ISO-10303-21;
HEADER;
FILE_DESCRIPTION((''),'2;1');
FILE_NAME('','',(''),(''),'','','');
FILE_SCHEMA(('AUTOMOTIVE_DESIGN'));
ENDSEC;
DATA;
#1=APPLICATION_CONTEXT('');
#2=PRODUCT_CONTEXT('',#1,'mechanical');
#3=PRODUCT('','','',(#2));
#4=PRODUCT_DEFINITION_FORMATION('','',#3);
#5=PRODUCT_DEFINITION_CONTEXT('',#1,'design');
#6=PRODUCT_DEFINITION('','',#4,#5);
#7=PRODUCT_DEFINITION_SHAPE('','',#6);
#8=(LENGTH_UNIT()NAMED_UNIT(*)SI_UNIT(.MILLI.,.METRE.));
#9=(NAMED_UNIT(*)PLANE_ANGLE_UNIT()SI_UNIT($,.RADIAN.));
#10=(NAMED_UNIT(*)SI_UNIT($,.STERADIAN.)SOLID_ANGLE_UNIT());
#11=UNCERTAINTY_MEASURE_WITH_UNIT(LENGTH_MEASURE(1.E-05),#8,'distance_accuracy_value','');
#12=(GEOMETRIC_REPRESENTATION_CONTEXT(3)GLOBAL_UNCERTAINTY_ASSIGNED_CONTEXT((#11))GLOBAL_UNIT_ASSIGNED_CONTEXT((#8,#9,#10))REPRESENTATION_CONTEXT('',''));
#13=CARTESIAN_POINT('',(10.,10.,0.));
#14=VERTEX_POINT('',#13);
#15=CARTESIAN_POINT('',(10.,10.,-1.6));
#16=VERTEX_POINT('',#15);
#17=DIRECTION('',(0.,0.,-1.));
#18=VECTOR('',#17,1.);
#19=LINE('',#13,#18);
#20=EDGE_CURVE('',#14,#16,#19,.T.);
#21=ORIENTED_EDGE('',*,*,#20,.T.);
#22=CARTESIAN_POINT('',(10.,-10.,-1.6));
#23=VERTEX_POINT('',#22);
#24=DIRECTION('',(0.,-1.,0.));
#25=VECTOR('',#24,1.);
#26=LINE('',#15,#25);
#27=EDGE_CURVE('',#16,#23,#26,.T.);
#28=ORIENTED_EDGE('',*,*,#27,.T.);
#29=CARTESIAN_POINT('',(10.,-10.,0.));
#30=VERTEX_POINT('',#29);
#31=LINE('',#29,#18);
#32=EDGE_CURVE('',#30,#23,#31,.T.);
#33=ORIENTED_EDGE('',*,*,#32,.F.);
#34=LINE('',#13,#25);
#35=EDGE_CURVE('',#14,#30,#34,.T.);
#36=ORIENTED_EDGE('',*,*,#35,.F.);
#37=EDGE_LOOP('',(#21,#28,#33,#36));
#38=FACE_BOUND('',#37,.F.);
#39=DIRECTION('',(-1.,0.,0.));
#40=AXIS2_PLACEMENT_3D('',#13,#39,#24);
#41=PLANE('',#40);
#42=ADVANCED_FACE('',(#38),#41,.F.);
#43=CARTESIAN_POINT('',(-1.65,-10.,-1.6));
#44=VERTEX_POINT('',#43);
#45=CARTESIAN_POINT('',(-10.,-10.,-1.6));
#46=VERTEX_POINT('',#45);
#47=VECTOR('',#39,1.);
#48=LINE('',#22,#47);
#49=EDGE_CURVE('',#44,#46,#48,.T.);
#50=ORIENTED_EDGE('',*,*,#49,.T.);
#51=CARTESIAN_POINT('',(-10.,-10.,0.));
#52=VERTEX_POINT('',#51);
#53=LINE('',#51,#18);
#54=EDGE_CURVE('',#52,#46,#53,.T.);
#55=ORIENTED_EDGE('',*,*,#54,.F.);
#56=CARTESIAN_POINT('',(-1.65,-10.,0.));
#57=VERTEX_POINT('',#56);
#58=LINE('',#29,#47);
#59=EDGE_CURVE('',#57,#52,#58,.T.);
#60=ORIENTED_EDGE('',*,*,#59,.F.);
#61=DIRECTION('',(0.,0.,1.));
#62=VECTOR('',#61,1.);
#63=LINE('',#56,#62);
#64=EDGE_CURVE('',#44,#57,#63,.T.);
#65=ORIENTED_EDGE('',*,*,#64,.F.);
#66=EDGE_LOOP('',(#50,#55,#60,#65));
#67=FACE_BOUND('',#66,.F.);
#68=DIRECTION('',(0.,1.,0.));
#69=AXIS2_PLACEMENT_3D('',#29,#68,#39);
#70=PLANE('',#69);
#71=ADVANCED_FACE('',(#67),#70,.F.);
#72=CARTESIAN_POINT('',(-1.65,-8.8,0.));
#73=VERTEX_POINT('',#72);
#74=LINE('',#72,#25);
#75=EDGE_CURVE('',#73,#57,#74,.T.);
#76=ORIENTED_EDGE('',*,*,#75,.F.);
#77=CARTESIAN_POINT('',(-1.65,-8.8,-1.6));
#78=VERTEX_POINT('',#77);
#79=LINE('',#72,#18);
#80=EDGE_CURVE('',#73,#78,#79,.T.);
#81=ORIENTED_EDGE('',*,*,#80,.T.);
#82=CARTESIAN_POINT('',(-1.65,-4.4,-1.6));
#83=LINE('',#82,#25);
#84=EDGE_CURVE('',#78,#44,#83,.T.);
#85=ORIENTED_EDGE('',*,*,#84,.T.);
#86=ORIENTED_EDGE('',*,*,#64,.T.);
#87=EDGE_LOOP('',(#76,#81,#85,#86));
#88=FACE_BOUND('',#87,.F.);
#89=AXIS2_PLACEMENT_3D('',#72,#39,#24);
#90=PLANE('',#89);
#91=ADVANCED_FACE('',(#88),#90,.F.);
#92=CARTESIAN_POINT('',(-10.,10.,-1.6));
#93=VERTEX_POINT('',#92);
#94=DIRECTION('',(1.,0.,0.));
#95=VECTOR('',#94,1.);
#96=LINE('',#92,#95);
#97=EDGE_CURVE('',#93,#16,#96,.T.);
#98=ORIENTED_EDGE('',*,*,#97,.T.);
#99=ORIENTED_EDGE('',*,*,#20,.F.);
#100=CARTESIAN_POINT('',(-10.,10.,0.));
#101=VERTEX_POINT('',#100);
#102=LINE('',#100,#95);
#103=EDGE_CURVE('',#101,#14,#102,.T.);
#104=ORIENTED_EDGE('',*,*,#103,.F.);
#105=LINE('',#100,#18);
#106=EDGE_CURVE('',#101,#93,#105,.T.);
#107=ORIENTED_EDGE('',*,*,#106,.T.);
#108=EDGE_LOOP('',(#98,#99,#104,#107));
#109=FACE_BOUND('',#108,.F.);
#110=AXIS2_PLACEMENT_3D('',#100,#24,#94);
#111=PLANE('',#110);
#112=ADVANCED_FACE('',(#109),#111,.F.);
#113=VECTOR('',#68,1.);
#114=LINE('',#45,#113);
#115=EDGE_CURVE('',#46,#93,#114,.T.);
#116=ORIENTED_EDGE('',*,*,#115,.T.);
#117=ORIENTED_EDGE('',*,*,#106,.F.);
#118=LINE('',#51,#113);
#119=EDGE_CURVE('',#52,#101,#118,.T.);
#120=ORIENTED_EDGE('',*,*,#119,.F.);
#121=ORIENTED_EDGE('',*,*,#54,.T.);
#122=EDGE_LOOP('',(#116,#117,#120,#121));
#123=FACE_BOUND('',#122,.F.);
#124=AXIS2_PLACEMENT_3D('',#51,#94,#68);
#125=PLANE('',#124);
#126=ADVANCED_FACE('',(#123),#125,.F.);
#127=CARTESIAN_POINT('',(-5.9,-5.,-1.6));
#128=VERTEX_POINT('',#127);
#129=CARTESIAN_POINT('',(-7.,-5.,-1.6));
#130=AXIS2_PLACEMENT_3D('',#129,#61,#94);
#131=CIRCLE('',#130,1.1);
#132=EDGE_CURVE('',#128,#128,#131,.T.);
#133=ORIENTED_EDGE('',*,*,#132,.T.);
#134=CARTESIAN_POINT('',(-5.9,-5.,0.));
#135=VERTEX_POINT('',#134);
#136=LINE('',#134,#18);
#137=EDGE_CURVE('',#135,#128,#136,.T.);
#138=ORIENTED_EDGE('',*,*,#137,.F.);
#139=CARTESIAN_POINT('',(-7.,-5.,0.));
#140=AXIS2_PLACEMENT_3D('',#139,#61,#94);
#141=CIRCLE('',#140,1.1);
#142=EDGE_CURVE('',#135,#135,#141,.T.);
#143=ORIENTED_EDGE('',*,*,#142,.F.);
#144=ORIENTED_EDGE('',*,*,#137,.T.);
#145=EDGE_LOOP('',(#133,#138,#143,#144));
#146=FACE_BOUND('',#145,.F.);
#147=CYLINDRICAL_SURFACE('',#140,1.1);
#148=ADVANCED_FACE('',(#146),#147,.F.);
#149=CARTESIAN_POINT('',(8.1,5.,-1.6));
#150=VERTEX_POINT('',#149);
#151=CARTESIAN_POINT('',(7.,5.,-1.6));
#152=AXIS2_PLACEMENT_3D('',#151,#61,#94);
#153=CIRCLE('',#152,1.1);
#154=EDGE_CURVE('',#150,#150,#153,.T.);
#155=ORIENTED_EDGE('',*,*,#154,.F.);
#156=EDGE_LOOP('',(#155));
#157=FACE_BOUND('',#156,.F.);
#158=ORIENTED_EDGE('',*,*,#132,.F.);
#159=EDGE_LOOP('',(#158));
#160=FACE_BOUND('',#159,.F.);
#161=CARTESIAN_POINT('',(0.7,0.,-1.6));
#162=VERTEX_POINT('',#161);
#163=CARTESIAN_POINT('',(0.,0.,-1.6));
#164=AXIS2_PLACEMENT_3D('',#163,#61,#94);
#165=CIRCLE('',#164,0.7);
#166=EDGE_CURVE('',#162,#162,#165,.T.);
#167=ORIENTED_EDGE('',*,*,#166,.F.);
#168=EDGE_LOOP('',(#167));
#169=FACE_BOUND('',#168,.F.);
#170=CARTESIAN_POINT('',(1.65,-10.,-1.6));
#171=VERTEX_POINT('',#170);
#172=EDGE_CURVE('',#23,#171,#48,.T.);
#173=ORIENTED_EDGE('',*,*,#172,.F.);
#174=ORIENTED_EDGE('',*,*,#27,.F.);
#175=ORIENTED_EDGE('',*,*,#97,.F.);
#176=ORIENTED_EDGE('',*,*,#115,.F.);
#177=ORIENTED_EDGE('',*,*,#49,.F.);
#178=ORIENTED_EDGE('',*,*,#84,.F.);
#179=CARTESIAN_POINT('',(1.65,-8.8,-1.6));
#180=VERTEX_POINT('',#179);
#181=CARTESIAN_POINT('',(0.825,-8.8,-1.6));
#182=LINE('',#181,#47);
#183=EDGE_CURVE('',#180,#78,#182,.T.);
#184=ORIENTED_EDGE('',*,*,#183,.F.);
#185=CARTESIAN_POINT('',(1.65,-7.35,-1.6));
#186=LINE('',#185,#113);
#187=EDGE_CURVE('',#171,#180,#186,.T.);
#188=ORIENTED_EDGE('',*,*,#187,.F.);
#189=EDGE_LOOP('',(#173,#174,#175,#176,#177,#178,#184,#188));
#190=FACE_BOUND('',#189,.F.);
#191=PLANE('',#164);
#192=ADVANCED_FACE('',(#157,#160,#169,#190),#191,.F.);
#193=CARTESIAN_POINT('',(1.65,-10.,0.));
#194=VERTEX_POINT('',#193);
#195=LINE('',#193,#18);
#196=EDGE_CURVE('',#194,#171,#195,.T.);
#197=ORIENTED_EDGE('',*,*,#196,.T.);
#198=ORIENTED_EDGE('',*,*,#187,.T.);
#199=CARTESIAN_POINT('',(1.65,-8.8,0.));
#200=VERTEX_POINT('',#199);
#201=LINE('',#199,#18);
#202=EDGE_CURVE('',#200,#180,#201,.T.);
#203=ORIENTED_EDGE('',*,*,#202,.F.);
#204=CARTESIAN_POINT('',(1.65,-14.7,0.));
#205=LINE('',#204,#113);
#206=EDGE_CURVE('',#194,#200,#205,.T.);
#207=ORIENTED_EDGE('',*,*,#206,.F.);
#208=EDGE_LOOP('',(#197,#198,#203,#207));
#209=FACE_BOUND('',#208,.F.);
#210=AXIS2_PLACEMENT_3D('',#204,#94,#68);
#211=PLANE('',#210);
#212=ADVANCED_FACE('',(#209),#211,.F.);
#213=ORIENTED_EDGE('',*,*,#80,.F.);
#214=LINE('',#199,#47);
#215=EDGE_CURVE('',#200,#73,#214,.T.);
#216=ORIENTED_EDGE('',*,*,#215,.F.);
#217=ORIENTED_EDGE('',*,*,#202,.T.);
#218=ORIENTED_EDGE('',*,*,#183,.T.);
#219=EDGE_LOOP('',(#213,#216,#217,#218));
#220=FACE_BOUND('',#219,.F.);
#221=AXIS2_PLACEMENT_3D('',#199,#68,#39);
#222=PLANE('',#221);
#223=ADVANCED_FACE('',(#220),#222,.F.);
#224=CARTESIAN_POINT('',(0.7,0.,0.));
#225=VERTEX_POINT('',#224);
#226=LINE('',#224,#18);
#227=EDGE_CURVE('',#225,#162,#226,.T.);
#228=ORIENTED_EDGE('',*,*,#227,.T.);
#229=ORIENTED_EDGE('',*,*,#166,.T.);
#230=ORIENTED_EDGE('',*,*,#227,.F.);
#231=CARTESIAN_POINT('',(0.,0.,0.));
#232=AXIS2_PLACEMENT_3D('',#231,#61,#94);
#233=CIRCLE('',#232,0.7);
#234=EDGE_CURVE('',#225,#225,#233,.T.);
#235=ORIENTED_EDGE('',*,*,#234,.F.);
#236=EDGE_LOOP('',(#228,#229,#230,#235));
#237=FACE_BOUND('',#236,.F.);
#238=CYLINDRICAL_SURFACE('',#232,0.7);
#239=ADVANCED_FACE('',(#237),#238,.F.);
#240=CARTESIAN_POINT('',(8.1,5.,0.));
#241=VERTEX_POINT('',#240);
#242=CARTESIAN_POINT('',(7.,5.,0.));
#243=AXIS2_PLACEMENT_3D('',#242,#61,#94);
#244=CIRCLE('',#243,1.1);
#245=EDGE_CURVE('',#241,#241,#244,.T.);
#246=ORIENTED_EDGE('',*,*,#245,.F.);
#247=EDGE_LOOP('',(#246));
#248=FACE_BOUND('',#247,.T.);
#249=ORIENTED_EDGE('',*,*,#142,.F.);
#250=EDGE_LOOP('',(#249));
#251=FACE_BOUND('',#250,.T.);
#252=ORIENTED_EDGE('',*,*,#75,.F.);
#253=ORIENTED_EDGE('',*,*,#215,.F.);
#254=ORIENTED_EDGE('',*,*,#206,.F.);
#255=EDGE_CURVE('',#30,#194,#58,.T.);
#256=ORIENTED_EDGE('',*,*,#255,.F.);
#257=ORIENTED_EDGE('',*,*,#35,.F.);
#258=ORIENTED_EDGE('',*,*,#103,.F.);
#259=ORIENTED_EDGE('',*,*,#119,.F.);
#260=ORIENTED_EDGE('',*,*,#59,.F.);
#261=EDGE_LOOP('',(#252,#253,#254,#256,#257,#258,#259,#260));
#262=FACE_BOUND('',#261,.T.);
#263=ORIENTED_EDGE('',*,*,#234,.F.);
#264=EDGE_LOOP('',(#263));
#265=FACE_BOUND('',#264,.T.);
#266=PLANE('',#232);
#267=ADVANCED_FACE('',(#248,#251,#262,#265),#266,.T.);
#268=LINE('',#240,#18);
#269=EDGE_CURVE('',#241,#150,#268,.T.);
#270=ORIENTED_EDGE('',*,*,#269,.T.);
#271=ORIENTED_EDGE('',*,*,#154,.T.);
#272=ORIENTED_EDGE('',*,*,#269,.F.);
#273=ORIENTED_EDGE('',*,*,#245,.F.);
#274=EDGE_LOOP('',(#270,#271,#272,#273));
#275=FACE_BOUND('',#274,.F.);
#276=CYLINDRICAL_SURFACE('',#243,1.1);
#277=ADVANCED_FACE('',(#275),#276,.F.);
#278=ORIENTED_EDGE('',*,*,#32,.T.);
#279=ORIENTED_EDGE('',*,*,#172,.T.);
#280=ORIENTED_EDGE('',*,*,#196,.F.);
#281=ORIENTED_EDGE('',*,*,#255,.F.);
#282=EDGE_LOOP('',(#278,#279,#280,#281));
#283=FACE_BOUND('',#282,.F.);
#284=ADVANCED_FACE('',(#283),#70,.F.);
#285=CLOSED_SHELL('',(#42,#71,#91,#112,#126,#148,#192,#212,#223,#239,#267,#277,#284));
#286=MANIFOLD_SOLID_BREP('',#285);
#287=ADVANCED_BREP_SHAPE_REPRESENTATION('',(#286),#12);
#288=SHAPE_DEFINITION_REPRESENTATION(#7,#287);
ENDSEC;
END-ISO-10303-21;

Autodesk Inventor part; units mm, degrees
ref_plane "YZ Plane" through (0, 0, 0) normal (1, 0, 0) x (0, 1, 0)
ref_plane "XZ Plane" through (0, 0, 0) normal (0, 1, 0) x (-1, 0, 0)
ref_plane "XY Plane" through (0, 0, 0) normal (0, 0, 1) x (1, 0, 0)
ref_plane "作業平面1" through (0, 0, 0) normal (0, 0, 1) x (1, 0, 0)
sketch "スケッチ1" plane through (0, 0, 0) normal (0, 0, 1) x (1, 0, 0)
  line L0 (-12.7, 11.83) -> (-12.7, 13.57) projected
  line L1 (12.3, -13.97) -> (10.56, -13.97) projected
  line L2 (12.7, -11.83) -> (12.7, -13.57) projected
  line L3 (-10, 10) -> (10, 10)
  line L4 (10, 10) -> (10, -10)
  line L5 (10, -10) -> (-10, -10)
  line L6 (-10, -10) -> (-10, 10)
  point P0 (0, 0)
  dimension "d35" = 10
  dimension "d36" = 20
  dimension "d37" = 10
  dimension "d39" = 20
extrude "押し出し1" add sketch "スケッチ1" against normal blind 1.6
sketch "スケッチ2" plane through (0, 0, 0) normal (0, 0, 1) x (1, 0, 0)
  circle A0 centre (-7, -5) radius 1.1
  circle A1 centre (7, 5) radius 1.1
  point P0 (0, 0)
  dimension "d2" = 2.2
  dimension "d3" = 2.2
  dimension "d4" = 7
  dimension "d7" = 7
  dimension "d43" = 5
  dimension "d44" = 5
extrude "押し出し2" cut sketch "スケッチ2" along normal mid plane 20
sketch "スケッチ5" plane through (0, 0, 0) normal (0, 0, 1) x (1, 0, 0)
  circle A0 centre (0, 0) radius 0.7
  line L0 (1.65, -8.8) -> (-1.65, -8.8)
  line L1 (-1.65, -8.8) -> (-1.65, -14.7)
  line L2 (-1.65, -14.7) -> (1.65, -14.7)
  line L3 (1.65, -14.7) -> (1.65, -8.8)
  dimension "d16" = 1.4
  dimension "d40" = 1.65
  dimension "d41" = 3.3
  dimension "d42" = 8.8
extrude "押し出し5" cut sketch "スケッチ5" against normal blind 20
properties part number "HbSensorBoard02" material "CFRP"
